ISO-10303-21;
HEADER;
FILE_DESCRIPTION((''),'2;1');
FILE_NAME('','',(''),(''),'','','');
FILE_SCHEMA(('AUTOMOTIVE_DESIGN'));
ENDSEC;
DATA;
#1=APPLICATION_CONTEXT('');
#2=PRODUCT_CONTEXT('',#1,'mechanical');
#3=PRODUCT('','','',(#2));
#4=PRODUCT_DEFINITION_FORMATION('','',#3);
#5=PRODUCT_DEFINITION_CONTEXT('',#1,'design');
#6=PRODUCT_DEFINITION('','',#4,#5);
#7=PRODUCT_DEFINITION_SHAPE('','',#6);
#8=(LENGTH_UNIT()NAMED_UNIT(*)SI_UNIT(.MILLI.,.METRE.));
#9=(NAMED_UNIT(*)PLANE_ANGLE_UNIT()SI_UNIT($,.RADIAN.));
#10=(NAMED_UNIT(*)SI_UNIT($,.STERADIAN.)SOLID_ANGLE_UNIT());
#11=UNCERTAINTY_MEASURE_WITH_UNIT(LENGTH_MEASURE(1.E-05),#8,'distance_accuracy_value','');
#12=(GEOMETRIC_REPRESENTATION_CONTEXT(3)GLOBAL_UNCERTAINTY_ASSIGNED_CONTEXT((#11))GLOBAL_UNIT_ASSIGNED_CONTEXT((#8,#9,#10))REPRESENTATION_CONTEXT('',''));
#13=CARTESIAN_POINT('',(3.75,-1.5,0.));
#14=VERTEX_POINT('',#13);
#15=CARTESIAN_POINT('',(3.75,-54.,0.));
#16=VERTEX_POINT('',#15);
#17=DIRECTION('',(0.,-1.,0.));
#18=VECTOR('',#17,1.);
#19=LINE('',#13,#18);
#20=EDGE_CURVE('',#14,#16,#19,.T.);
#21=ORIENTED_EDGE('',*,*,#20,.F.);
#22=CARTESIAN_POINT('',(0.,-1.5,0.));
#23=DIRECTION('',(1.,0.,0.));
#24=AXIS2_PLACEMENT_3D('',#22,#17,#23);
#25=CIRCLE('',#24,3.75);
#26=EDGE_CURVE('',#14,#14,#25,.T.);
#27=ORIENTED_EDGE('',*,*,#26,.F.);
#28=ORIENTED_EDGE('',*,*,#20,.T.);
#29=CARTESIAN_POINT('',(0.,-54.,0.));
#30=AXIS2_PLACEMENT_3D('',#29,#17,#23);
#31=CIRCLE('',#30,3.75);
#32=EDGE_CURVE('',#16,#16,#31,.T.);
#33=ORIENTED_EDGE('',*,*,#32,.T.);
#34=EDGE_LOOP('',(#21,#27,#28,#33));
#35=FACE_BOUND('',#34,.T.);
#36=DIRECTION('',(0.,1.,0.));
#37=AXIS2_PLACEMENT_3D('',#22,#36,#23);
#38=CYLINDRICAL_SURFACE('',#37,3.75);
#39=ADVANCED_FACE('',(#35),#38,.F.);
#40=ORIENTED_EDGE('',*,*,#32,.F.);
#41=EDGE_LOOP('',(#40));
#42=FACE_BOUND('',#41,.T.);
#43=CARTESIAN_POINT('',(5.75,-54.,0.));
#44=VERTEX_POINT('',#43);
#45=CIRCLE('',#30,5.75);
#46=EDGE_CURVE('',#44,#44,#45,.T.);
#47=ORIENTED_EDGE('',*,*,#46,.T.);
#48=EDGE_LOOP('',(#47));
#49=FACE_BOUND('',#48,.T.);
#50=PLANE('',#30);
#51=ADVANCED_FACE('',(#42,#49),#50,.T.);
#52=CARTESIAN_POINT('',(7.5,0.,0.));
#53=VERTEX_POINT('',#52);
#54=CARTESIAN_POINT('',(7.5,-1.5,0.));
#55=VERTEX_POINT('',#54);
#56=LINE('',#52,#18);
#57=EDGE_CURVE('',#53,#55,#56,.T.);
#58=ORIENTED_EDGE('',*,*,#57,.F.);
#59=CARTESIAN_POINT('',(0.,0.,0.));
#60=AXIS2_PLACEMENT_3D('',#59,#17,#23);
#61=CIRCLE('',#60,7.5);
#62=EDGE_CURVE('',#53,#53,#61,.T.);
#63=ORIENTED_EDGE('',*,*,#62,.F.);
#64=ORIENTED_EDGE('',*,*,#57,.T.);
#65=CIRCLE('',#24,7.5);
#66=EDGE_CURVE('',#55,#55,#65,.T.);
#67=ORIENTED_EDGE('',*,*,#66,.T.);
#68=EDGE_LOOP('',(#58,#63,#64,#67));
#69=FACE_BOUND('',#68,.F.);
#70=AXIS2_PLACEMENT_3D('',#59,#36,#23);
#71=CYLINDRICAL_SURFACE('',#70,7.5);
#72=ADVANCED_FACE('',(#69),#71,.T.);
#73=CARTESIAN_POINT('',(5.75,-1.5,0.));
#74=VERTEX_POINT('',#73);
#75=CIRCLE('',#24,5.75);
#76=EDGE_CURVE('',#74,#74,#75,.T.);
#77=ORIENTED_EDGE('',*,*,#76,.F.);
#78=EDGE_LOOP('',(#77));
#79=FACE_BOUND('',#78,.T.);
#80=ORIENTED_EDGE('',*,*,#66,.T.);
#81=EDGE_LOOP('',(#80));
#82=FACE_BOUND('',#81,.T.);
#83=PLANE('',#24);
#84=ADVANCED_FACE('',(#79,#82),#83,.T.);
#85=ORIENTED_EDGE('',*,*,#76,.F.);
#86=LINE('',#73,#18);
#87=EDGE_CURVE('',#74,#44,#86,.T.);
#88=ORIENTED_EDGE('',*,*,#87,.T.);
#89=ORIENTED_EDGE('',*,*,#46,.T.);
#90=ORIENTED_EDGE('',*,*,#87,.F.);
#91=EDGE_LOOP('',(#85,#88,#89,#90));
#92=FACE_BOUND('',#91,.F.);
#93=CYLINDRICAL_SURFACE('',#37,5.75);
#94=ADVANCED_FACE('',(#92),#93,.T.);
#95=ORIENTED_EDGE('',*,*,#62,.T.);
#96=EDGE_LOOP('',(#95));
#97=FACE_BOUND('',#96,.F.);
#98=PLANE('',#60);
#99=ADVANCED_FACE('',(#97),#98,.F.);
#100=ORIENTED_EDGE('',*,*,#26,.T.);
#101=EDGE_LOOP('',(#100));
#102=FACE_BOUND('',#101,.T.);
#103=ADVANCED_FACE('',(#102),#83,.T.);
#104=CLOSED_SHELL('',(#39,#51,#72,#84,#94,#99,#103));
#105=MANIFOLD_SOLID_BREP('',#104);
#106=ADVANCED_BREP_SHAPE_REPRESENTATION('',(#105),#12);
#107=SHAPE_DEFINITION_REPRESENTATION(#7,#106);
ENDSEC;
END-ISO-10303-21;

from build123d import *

# Parameters (mm, degrees)
F0_R     = 7.5
F1_DEPTH = 1.5
F2_R     = 5.75
F2_R_2   = 3.75
F3_DEPTH = 52.5


with BuildPart() as f1:
    # F0 (on Front) → F1 (new body)
    with BuildSketch(Plane.XZ):
        Circle(F0_R)
    extrude(amount=F1_DEPTH)

    # F2 (on face) → F3 (join)
    with BuildSketch(Plane.XZ.offset(1.5)):
        Circle(F2_R)
        Circle(F2_R_2, mode=Mode.SUBTRACT)
    extrude(amount=F3_DEPTH)


solid = f1.part
